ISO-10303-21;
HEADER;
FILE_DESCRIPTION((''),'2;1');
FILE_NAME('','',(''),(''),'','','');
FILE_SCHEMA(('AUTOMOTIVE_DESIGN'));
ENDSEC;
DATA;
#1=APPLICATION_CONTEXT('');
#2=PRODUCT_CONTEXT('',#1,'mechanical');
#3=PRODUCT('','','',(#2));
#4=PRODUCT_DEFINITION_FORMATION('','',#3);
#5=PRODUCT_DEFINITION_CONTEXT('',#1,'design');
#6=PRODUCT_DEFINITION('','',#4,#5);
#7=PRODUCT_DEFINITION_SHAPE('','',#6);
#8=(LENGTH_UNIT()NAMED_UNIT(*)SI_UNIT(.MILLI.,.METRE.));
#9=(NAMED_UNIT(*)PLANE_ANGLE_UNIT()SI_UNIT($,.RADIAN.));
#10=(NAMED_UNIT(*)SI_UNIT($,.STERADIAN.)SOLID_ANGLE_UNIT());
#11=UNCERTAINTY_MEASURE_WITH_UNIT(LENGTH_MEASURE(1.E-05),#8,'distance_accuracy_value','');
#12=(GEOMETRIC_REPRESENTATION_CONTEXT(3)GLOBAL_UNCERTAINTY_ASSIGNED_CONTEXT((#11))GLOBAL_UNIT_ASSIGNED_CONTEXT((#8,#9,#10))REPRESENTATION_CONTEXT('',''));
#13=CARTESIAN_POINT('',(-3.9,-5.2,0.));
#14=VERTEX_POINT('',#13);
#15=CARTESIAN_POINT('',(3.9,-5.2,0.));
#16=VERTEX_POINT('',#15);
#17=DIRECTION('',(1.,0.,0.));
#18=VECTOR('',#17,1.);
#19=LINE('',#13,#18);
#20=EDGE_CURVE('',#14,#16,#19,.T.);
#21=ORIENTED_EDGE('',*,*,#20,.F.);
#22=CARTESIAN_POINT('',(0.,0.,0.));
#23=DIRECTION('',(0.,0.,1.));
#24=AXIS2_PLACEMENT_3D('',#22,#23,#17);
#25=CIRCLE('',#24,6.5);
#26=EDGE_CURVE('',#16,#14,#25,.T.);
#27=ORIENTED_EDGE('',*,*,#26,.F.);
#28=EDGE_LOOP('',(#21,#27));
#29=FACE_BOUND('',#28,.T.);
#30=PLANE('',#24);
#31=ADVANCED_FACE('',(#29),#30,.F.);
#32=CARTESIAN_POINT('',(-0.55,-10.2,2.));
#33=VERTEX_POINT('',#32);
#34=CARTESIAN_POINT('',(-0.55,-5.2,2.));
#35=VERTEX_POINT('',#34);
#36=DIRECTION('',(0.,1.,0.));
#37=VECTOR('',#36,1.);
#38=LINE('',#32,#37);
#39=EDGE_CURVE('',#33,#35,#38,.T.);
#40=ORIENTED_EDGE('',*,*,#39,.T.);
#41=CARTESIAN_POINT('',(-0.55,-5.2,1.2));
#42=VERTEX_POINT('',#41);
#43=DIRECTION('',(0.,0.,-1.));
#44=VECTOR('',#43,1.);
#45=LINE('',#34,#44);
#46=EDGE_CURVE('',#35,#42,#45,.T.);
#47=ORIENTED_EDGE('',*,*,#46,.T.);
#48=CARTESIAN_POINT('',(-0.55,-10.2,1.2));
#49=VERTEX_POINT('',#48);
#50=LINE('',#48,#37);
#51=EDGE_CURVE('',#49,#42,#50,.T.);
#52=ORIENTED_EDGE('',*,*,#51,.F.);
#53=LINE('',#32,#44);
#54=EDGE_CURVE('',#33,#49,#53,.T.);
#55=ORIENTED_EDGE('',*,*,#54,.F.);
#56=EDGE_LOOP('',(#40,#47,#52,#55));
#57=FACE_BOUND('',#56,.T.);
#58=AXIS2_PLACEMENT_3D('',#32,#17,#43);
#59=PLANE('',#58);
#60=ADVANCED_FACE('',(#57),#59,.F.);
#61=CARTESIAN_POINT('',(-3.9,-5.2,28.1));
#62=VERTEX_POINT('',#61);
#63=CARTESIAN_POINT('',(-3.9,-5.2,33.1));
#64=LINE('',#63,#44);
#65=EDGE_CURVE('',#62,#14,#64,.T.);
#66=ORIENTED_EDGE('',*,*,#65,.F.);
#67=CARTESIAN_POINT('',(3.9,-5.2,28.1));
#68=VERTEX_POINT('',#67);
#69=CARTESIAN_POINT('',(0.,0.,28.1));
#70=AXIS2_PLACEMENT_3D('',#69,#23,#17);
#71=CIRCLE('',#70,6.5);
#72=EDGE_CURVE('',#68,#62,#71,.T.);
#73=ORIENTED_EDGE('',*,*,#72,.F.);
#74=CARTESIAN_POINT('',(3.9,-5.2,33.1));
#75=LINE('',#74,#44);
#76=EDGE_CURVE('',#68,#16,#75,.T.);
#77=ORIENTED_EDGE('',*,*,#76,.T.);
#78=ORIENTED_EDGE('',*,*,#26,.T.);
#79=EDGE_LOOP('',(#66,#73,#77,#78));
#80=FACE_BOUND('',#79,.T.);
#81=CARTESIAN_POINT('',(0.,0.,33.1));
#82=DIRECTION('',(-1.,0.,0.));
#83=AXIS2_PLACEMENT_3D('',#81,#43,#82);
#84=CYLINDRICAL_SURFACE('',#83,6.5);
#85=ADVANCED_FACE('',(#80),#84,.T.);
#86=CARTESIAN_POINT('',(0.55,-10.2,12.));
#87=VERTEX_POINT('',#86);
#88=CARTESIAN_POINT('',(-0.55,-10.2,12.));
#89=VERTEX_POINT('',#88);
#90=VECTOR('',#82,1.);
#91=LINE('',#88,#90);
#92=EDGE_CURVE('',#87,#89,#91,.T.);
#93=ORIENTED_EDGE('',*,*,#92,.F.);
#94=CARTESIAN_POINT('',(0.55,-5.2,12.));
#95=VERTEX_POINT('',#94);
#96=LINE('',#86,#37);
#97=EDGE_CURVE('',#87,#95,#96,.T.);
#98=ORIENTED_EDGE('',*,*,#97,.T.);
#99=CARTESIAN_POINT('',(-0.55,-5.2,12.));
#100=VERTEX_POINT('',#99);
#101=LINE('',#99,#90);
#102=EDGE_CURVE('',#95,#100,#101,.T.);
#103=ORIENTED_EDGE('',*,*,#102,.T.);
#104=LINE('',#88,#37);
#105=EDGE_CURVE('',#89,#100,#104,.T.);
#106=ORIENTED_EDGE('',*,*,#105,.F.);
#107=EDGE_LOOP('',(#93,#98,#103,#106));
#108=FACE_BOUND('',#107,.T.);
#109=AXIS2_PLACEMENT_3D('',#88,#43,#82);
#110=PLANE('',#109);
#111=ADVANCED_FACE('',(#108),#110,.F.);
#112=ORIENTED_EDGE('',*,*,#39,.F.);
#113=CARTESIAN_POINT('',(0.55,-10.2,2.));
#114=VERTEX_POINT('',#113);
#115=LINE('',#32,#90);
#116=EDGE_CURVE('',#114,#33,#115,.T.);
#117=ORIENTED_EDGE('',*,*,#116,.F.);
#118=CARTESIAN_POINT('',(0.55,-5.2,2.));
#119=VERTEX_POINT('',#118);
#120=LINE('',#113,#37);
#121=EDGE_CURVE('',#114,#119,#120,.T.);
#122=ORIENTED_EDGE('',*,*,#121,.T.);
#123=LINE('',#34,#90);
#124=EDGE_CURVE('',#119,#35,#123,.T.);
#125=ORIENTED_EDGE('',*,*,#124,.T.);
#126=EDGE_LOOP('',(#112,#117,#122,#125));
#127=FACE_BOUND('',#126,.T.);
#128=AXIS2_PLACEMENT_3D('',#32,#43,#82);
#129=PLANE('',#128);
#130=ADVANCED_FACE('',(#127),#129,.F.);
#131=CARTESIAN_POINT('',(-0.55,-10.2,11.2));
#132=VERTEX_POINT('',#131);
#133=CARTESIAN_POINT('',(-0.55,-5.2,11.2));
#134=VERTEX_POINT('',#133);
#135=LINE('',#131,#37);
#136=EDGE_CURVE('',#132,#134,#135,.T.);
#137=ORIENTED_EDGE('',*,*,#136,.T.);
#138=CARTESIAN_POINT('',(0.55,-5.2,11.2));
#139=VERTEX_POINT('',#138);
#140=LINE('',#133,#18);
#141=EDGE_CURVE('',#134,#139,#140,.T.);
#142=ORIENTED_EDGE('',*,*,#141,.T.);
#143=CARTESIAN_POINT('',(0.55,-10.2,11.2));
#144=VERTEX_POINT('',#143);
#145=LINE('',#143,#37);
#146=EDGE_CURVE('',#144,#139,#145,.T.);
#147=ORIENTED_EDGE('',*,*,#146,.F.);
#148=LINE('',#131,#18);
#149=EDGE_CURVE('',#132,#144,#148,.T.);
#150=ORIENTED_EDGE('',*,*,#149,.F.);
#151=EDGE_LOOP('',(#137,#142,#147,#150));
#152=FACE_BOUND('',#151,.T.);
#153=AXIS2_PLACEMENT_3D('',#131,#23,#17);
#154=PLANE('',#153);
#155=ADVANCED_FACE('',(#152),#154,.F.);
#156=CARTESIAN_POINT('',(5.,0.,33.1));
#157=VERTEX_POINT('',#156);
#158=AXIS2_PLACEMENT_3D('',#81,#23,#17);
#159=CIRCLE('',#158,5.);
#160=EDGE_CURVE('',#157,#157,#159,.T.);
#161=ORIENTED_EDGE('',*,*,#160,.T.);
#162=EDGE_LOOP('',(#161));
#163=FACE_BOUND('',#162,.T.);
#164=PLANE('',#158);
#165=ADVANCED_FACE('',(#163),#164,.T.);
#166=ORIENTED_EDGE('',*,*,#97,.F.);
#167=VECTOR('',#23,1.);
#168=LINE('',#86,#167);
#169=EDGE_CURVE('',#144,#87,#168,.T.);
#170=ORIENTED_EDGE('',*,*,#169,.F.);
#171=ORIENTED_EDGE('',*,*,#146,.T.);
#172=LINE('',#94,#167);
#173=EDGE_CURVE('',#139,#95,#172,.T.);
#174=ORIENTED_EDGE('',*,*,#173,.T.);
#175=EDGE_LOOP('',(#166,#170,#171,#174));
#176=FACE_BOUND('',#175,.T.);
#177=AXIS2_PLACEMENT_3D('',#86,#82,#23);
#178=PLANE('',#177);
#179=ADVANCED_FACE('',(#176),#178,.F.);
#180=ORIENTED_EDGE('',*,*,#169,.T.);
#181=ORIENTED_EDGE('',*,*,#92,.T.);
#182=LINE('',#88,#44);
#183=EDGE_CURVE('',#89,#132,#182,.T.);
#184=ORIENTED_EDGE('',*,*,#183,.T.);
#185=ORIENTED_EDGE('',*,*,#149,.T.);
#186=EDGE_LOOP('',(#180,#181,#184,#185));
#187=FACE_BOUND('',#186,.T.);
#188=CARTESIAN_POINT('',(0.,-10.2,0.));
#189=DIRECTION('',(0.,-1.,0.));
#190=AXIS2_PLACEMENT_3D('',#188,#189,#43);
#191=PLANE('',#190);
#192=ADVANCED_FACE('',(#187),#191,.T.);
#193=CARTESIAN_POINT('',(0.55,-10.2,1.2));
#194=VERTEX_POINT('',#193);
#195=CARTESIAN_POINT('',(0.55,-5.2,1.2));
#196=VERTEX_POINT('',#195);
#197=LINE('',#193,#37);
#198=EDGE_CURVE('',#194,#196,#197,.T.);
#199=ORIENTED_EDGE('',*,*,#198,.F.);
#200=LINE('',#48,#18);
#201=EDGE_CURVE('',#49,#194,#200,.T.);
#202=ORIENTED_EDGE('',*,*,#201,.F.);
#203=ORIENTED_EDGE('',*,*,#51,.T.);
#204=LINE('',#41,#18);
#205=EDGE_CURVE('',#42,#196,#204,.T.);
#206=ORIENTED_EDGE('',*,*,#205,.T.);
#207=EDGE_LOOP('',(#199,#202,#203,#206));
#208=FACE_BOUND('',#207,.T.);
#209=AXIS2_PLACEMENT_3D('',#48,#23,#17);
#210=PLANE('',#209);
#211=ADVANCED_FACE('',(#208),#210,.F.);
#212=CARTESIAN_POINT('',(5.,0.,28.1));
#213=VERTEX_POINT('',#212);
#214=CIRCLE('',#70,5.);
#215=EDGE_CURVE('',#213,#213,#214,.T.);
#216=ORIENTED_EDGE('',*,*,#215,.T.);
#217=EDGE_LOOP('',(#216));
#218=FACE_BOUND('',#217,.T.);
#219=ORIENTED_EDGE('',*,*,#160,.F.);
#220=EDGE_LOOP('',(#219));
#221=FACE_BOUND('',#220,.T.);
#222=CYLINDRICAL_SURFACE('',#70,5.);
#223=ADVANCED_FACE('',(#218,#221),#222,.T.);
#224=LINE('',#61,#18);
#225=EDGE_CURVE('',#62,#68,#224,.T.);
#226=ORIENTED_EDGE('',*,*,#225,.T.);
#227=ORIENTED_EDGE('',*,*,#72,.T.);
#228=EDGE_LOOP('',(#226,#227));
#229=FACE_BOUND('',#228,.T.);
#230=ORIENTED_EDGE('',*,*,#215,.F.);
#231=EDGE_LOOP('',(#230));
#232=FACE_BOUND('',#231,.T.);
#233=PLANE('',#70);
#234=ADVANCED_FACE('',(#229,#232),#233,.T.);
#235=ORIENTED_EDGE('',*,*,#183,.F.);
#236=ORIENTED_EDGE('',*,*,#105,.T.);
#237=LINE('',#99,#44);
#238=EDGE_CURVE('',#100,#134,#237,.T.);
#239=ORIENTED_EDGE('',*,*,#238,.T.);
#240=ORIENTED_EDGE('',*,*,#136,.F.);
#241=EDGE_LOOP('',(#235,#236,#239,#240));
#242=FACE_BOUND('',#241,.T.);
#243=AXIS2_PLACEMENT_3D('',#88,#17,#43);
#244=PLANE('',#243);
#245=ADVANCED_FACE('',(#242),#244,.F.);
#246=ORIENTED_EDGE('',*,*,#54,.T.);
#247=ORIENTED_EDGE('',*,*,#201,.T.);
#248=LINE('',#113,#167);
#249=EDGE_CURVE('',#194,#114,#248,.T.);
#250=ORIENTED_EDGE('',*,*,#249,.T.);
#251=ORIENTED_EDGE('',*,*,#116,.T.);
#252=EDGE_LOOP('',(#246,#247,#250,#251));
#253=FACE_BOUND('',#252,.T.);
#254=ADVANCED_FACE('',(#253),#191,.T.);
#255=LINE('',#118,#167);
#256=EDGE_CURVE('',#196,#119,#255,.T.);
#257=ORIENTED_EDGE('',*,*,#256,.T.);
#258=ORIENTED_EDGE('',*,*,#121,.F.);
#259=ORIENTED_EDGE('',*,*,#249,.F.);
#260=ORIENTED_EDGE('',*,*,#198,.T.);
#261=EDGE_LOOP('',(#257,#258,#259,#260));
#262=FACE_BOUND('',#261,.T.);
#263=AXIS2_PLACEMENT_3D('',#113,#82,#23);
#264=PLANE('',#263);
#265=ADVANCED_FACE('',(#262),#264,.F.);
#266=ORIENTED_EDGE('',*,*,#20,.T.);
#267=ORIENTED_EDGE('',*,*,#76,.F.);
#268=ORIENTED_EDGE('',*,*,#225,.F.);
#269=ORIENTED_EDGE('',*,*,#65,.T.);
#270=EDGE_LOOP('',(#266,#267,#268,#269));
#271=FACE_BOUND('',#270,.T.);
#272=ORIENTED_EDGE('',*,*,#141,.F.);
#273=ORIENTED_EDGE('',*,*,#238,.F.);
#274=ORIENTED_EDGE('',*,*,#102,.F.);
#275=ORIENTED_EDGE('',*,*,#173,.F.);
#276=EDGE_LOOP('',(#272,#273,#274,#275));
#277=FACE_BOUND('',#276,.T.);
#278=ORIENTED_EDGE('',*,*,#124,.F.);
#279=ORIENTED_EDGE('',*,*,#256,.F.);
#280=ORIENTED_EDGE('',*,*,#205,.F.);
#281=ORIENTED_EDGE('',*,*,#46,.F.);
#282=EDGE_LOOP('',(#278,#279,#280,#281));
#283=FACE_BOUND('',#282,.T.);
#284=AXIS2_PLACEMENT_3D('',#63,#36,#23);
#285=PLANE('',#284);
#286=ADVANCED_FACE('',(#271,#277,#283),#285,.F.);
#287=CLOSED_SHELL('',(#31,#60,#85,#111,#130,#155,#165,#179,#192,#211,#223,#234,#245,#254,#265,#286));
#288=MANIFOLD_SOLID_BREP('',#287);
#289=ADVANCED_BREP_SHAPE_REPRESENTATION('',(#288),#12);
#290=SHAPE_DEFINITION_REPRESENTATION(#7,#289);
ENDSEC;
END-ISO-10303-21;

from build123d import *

# Parameters (mm, degrees)
EXTRUDE_1_DEPTH     = 33.1
CUT_EXTRUDE_START   = -5
SKETCH_2_R          = 5
CUT_EXTRUDE_1_DEPTH = 5
SKETCH_3_W          = 1.1
SKETCH_3_H          = 0.8
EXTRUDE_2_DEPTH     = 5


with BuildPart() as part:
    # 草图1 → 凸台-拉伸1 (new body)
    with BuildSketch(Plane.XY):
        with BuildLine():
            Line((-3.9, -5.2), (3.9, -5.2))
            ThreePointArc((3.9, -5.2), (0, 6.5), (-3.9, -5.2))
        make_face()
    extrude(amount=EXTRUDE_1_DEPTH)

    # 草图2 → 切除-拉伸1 (cut)
    with BuildSketch(Plane.XY.offset(33.1).offset(CUT_EXTRUDE_START)):
        with BuildLine():
            Line((-3.9, -5.2), (3.9, -5.2))
            ThreePointArc((3.9, -5.2), (0, 6.5), (-3.9, -5.2))
        make_face()
        Circle(SKETCH_2_R, mode=Mode.SUBTRACT)
    extrude(amount=CUT_EXTRUDE_1_DEPTH, mode=Mode.SUBTRACT)

    # 草图3 → 凸台-拉伸2 (add)
    with BuildSketch(Plane.XZ.offset(5.2)):
        with Locations((0, 11.6)):
            Rectangle(SKETCH_3_W, SKETCH_3_H)
        with Locations((0, 1.6)):
            Rectangle(SKETCH_3_W, SKETCH_3_H)
    extrude(amount=EXTRUDE_2_DEPTH)


solid = part.part
